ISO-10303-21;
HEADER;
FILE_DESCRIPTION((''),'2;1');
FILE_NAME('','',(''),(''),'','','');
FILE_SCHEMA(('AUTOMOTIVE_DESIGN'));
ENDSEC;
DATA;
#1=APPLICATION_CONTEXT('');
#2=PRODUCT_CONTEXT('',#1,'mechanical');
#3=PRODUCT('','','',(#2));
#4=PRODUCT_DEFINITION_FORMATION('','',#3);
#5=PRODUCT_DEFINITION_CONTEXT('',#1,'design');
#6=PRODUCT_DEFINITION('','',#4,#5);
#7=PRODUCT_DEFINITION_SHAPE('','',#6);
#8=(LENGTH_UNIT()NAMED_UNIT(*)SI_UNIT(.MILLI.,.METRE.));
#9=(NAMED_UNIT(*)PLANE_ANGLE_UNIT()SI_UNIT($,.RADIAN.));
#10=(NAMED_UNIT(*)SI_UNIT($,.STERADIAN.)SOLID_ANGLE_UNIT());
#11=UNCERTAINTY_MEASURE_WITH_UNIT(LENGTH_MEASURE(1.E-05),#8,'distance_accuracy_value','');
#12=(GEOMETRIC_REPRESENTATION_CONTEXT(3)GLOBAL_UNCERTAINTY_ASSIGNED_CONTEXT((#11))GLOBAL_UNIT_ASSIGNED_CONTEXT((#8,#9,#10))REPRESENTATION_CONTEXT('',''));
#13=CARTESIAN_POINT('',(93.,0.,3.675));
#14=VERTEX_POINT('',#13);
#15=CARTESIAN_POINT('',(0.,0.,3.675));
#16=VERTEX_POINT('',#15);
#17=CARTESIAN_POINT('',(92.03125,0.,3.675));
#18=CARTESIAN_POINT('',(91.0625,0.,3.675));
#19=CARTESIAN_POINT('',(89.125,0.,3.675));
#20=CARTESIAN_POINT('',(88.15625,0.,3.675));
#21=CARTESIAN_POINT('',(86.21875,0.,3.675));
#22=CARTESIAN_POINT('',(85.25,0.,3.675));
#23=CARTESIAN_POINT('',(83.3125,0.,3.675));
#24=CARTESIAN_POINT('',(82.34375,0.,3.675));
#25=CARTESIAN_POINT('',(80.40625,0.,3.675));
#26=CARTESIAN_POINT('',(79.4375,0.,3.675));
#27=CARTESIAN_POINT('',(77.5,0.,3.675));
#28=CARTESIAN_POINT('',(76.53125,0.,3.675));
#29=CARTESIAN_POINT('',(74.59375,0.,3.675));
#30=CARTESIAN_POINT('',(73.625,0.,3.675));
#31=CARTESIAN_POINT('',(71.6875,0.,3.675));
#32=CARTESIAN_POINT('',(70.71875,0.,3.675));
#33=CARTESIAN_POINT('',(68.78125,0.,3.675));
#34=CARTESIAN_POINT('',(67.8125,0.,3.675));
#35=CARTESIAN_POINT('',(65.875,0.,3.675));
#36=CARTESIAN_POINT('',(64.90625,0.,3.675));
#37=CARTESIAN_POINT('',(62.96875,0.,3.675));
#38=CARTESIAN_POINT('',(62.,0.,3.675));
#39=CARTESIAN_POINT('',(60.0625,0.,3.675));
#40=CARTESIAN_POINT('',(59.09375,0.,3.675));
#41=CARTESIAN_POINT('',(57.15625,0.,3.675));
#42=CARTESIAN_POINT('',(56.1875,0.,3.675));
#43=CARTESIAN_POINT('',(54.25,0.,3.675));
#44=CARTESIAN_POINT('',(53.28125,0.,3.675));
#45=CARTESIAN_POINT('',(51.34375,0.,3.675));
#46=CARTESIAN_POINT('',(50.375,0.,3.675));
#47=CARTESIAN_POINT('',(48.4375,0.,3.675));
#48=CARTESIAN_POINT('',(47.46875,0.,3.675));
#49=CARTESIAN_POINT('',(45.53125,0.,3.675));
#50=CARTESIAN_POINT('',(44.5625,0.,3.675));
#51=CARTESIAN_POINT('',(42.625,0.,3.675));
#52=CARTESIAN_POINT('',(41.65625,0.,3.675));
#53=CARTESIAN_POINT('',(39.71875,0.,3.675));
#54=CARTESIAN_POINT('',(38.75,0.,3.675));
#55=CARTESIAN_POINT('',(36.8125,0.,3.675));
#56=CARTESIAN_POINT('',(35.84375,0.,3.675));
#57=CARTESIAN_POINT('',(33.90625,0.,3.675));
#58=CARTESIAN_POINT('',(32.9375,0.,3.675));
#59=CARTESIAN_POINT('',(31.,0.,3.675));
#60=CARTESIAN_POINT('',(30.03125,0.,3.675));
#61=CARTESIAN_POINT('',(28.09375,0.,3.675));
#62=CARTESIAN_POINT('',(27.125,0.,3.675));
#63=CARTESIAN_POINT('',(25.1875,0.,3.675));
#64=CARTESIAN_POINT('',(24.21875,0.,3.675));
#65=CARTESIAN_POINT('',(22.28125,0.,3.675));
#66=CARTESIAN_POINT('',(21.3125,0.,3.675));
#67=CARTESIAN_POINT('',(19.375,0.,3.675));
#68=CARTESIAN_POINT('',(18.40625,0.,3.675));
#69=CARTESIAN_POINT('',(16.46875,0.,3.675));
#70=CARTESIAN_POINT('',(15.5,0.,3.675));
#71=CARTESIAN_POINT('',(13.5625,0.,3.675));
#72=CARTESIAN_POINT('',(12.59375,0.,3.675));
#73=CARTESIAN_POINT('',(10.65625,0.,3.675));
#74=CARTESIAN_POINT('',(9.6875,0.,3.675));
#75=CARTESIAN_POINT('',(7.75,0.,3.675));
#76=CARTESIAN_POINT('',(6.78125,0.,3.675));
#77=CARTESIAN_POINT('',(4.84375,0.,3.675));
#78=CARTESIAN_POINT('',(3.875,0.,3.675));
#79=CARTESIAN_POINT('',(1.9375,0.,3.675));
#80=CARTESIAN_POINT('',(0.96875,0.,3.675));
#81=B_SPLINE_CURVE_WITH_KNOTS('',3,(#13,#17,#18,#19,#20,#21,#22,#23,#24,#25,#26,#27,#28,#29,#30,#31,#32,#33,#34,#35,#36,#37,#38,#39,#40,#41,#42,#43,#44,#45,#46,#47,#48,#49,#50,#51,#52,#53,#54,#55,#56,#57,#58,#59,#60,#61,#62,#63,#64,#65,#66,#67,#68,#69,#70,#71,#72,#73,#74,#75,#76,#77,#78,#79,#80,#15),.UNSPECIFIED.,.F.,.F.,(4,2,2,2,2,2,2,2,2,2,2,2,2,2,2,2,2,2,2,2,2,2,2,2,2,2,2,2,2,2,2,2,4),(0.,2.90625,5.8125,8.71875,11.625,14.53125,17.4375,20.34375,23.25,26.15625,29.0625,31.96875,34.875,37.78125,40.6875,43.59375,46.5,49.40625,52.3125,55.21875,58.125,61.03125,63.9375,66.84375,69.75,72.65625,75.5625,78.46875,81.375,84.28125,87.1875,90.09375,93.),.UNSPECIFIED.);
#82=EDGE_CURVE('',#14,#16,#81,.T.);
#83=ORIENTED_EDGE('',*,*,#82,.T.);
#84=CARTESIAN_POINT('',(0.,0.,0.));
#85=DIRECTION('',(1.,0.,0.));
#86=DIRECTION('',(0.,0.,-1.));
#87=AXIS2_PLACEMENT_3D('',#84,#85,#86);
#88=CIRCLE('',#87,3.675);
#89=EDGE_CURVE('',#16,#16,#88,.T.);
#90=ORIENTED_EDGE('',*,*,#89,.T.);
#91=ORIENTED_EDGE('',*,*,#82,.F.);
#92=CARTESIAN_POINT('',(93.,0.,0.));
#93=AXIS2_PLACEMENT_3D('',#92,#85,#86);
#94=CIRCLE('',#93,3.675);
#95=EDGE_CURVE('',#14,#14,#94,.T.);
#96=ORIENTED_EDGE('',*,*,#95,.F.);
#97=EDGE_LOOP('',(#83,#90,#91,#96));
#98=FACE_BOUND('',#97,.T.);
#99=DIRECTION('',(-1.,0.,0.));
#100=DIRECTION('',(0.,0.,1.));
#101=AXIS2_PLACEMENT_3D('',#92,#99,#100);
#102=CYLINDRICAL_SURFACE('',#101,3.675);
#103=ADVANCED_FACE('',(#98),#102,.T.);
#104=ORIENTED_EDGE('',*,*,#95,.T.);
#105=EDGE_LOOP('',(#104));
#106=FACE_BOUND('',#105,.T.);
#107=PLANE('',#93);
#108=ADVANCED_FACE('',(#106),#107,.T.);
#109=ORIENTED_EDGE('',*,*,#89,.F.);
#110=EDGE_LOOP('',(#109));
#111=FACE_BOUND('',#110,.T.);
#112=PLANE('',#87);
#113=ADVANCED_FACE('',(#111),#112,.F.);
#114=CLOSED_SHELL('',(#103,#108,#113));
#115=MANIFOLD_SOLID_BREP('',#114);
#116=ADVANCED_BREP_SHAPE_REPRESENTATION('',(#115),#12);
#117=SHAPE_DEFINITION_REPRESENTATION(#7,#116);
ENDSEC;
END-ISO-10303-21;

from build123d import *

# Parameters (mm, degrees)
SKIZZE1_R                       = 3.675
AUFSATZ_LINEAR_AUSTRAGEN1_DEPTH = 93


with BuildPart() as part:
    # Skizze1 → Aufsatz-Linear austragen1 (new body)
    with BuildSketch(Plane.YZ):
        with Locations(Location((0, 0, 0), (0, 0, 90))):
            Circle(SKIZZE1_R)
    extrude(amount=AUFSATZ_LINEAR_AUSTRAGEN1_DEPTH)


solid = part.part
